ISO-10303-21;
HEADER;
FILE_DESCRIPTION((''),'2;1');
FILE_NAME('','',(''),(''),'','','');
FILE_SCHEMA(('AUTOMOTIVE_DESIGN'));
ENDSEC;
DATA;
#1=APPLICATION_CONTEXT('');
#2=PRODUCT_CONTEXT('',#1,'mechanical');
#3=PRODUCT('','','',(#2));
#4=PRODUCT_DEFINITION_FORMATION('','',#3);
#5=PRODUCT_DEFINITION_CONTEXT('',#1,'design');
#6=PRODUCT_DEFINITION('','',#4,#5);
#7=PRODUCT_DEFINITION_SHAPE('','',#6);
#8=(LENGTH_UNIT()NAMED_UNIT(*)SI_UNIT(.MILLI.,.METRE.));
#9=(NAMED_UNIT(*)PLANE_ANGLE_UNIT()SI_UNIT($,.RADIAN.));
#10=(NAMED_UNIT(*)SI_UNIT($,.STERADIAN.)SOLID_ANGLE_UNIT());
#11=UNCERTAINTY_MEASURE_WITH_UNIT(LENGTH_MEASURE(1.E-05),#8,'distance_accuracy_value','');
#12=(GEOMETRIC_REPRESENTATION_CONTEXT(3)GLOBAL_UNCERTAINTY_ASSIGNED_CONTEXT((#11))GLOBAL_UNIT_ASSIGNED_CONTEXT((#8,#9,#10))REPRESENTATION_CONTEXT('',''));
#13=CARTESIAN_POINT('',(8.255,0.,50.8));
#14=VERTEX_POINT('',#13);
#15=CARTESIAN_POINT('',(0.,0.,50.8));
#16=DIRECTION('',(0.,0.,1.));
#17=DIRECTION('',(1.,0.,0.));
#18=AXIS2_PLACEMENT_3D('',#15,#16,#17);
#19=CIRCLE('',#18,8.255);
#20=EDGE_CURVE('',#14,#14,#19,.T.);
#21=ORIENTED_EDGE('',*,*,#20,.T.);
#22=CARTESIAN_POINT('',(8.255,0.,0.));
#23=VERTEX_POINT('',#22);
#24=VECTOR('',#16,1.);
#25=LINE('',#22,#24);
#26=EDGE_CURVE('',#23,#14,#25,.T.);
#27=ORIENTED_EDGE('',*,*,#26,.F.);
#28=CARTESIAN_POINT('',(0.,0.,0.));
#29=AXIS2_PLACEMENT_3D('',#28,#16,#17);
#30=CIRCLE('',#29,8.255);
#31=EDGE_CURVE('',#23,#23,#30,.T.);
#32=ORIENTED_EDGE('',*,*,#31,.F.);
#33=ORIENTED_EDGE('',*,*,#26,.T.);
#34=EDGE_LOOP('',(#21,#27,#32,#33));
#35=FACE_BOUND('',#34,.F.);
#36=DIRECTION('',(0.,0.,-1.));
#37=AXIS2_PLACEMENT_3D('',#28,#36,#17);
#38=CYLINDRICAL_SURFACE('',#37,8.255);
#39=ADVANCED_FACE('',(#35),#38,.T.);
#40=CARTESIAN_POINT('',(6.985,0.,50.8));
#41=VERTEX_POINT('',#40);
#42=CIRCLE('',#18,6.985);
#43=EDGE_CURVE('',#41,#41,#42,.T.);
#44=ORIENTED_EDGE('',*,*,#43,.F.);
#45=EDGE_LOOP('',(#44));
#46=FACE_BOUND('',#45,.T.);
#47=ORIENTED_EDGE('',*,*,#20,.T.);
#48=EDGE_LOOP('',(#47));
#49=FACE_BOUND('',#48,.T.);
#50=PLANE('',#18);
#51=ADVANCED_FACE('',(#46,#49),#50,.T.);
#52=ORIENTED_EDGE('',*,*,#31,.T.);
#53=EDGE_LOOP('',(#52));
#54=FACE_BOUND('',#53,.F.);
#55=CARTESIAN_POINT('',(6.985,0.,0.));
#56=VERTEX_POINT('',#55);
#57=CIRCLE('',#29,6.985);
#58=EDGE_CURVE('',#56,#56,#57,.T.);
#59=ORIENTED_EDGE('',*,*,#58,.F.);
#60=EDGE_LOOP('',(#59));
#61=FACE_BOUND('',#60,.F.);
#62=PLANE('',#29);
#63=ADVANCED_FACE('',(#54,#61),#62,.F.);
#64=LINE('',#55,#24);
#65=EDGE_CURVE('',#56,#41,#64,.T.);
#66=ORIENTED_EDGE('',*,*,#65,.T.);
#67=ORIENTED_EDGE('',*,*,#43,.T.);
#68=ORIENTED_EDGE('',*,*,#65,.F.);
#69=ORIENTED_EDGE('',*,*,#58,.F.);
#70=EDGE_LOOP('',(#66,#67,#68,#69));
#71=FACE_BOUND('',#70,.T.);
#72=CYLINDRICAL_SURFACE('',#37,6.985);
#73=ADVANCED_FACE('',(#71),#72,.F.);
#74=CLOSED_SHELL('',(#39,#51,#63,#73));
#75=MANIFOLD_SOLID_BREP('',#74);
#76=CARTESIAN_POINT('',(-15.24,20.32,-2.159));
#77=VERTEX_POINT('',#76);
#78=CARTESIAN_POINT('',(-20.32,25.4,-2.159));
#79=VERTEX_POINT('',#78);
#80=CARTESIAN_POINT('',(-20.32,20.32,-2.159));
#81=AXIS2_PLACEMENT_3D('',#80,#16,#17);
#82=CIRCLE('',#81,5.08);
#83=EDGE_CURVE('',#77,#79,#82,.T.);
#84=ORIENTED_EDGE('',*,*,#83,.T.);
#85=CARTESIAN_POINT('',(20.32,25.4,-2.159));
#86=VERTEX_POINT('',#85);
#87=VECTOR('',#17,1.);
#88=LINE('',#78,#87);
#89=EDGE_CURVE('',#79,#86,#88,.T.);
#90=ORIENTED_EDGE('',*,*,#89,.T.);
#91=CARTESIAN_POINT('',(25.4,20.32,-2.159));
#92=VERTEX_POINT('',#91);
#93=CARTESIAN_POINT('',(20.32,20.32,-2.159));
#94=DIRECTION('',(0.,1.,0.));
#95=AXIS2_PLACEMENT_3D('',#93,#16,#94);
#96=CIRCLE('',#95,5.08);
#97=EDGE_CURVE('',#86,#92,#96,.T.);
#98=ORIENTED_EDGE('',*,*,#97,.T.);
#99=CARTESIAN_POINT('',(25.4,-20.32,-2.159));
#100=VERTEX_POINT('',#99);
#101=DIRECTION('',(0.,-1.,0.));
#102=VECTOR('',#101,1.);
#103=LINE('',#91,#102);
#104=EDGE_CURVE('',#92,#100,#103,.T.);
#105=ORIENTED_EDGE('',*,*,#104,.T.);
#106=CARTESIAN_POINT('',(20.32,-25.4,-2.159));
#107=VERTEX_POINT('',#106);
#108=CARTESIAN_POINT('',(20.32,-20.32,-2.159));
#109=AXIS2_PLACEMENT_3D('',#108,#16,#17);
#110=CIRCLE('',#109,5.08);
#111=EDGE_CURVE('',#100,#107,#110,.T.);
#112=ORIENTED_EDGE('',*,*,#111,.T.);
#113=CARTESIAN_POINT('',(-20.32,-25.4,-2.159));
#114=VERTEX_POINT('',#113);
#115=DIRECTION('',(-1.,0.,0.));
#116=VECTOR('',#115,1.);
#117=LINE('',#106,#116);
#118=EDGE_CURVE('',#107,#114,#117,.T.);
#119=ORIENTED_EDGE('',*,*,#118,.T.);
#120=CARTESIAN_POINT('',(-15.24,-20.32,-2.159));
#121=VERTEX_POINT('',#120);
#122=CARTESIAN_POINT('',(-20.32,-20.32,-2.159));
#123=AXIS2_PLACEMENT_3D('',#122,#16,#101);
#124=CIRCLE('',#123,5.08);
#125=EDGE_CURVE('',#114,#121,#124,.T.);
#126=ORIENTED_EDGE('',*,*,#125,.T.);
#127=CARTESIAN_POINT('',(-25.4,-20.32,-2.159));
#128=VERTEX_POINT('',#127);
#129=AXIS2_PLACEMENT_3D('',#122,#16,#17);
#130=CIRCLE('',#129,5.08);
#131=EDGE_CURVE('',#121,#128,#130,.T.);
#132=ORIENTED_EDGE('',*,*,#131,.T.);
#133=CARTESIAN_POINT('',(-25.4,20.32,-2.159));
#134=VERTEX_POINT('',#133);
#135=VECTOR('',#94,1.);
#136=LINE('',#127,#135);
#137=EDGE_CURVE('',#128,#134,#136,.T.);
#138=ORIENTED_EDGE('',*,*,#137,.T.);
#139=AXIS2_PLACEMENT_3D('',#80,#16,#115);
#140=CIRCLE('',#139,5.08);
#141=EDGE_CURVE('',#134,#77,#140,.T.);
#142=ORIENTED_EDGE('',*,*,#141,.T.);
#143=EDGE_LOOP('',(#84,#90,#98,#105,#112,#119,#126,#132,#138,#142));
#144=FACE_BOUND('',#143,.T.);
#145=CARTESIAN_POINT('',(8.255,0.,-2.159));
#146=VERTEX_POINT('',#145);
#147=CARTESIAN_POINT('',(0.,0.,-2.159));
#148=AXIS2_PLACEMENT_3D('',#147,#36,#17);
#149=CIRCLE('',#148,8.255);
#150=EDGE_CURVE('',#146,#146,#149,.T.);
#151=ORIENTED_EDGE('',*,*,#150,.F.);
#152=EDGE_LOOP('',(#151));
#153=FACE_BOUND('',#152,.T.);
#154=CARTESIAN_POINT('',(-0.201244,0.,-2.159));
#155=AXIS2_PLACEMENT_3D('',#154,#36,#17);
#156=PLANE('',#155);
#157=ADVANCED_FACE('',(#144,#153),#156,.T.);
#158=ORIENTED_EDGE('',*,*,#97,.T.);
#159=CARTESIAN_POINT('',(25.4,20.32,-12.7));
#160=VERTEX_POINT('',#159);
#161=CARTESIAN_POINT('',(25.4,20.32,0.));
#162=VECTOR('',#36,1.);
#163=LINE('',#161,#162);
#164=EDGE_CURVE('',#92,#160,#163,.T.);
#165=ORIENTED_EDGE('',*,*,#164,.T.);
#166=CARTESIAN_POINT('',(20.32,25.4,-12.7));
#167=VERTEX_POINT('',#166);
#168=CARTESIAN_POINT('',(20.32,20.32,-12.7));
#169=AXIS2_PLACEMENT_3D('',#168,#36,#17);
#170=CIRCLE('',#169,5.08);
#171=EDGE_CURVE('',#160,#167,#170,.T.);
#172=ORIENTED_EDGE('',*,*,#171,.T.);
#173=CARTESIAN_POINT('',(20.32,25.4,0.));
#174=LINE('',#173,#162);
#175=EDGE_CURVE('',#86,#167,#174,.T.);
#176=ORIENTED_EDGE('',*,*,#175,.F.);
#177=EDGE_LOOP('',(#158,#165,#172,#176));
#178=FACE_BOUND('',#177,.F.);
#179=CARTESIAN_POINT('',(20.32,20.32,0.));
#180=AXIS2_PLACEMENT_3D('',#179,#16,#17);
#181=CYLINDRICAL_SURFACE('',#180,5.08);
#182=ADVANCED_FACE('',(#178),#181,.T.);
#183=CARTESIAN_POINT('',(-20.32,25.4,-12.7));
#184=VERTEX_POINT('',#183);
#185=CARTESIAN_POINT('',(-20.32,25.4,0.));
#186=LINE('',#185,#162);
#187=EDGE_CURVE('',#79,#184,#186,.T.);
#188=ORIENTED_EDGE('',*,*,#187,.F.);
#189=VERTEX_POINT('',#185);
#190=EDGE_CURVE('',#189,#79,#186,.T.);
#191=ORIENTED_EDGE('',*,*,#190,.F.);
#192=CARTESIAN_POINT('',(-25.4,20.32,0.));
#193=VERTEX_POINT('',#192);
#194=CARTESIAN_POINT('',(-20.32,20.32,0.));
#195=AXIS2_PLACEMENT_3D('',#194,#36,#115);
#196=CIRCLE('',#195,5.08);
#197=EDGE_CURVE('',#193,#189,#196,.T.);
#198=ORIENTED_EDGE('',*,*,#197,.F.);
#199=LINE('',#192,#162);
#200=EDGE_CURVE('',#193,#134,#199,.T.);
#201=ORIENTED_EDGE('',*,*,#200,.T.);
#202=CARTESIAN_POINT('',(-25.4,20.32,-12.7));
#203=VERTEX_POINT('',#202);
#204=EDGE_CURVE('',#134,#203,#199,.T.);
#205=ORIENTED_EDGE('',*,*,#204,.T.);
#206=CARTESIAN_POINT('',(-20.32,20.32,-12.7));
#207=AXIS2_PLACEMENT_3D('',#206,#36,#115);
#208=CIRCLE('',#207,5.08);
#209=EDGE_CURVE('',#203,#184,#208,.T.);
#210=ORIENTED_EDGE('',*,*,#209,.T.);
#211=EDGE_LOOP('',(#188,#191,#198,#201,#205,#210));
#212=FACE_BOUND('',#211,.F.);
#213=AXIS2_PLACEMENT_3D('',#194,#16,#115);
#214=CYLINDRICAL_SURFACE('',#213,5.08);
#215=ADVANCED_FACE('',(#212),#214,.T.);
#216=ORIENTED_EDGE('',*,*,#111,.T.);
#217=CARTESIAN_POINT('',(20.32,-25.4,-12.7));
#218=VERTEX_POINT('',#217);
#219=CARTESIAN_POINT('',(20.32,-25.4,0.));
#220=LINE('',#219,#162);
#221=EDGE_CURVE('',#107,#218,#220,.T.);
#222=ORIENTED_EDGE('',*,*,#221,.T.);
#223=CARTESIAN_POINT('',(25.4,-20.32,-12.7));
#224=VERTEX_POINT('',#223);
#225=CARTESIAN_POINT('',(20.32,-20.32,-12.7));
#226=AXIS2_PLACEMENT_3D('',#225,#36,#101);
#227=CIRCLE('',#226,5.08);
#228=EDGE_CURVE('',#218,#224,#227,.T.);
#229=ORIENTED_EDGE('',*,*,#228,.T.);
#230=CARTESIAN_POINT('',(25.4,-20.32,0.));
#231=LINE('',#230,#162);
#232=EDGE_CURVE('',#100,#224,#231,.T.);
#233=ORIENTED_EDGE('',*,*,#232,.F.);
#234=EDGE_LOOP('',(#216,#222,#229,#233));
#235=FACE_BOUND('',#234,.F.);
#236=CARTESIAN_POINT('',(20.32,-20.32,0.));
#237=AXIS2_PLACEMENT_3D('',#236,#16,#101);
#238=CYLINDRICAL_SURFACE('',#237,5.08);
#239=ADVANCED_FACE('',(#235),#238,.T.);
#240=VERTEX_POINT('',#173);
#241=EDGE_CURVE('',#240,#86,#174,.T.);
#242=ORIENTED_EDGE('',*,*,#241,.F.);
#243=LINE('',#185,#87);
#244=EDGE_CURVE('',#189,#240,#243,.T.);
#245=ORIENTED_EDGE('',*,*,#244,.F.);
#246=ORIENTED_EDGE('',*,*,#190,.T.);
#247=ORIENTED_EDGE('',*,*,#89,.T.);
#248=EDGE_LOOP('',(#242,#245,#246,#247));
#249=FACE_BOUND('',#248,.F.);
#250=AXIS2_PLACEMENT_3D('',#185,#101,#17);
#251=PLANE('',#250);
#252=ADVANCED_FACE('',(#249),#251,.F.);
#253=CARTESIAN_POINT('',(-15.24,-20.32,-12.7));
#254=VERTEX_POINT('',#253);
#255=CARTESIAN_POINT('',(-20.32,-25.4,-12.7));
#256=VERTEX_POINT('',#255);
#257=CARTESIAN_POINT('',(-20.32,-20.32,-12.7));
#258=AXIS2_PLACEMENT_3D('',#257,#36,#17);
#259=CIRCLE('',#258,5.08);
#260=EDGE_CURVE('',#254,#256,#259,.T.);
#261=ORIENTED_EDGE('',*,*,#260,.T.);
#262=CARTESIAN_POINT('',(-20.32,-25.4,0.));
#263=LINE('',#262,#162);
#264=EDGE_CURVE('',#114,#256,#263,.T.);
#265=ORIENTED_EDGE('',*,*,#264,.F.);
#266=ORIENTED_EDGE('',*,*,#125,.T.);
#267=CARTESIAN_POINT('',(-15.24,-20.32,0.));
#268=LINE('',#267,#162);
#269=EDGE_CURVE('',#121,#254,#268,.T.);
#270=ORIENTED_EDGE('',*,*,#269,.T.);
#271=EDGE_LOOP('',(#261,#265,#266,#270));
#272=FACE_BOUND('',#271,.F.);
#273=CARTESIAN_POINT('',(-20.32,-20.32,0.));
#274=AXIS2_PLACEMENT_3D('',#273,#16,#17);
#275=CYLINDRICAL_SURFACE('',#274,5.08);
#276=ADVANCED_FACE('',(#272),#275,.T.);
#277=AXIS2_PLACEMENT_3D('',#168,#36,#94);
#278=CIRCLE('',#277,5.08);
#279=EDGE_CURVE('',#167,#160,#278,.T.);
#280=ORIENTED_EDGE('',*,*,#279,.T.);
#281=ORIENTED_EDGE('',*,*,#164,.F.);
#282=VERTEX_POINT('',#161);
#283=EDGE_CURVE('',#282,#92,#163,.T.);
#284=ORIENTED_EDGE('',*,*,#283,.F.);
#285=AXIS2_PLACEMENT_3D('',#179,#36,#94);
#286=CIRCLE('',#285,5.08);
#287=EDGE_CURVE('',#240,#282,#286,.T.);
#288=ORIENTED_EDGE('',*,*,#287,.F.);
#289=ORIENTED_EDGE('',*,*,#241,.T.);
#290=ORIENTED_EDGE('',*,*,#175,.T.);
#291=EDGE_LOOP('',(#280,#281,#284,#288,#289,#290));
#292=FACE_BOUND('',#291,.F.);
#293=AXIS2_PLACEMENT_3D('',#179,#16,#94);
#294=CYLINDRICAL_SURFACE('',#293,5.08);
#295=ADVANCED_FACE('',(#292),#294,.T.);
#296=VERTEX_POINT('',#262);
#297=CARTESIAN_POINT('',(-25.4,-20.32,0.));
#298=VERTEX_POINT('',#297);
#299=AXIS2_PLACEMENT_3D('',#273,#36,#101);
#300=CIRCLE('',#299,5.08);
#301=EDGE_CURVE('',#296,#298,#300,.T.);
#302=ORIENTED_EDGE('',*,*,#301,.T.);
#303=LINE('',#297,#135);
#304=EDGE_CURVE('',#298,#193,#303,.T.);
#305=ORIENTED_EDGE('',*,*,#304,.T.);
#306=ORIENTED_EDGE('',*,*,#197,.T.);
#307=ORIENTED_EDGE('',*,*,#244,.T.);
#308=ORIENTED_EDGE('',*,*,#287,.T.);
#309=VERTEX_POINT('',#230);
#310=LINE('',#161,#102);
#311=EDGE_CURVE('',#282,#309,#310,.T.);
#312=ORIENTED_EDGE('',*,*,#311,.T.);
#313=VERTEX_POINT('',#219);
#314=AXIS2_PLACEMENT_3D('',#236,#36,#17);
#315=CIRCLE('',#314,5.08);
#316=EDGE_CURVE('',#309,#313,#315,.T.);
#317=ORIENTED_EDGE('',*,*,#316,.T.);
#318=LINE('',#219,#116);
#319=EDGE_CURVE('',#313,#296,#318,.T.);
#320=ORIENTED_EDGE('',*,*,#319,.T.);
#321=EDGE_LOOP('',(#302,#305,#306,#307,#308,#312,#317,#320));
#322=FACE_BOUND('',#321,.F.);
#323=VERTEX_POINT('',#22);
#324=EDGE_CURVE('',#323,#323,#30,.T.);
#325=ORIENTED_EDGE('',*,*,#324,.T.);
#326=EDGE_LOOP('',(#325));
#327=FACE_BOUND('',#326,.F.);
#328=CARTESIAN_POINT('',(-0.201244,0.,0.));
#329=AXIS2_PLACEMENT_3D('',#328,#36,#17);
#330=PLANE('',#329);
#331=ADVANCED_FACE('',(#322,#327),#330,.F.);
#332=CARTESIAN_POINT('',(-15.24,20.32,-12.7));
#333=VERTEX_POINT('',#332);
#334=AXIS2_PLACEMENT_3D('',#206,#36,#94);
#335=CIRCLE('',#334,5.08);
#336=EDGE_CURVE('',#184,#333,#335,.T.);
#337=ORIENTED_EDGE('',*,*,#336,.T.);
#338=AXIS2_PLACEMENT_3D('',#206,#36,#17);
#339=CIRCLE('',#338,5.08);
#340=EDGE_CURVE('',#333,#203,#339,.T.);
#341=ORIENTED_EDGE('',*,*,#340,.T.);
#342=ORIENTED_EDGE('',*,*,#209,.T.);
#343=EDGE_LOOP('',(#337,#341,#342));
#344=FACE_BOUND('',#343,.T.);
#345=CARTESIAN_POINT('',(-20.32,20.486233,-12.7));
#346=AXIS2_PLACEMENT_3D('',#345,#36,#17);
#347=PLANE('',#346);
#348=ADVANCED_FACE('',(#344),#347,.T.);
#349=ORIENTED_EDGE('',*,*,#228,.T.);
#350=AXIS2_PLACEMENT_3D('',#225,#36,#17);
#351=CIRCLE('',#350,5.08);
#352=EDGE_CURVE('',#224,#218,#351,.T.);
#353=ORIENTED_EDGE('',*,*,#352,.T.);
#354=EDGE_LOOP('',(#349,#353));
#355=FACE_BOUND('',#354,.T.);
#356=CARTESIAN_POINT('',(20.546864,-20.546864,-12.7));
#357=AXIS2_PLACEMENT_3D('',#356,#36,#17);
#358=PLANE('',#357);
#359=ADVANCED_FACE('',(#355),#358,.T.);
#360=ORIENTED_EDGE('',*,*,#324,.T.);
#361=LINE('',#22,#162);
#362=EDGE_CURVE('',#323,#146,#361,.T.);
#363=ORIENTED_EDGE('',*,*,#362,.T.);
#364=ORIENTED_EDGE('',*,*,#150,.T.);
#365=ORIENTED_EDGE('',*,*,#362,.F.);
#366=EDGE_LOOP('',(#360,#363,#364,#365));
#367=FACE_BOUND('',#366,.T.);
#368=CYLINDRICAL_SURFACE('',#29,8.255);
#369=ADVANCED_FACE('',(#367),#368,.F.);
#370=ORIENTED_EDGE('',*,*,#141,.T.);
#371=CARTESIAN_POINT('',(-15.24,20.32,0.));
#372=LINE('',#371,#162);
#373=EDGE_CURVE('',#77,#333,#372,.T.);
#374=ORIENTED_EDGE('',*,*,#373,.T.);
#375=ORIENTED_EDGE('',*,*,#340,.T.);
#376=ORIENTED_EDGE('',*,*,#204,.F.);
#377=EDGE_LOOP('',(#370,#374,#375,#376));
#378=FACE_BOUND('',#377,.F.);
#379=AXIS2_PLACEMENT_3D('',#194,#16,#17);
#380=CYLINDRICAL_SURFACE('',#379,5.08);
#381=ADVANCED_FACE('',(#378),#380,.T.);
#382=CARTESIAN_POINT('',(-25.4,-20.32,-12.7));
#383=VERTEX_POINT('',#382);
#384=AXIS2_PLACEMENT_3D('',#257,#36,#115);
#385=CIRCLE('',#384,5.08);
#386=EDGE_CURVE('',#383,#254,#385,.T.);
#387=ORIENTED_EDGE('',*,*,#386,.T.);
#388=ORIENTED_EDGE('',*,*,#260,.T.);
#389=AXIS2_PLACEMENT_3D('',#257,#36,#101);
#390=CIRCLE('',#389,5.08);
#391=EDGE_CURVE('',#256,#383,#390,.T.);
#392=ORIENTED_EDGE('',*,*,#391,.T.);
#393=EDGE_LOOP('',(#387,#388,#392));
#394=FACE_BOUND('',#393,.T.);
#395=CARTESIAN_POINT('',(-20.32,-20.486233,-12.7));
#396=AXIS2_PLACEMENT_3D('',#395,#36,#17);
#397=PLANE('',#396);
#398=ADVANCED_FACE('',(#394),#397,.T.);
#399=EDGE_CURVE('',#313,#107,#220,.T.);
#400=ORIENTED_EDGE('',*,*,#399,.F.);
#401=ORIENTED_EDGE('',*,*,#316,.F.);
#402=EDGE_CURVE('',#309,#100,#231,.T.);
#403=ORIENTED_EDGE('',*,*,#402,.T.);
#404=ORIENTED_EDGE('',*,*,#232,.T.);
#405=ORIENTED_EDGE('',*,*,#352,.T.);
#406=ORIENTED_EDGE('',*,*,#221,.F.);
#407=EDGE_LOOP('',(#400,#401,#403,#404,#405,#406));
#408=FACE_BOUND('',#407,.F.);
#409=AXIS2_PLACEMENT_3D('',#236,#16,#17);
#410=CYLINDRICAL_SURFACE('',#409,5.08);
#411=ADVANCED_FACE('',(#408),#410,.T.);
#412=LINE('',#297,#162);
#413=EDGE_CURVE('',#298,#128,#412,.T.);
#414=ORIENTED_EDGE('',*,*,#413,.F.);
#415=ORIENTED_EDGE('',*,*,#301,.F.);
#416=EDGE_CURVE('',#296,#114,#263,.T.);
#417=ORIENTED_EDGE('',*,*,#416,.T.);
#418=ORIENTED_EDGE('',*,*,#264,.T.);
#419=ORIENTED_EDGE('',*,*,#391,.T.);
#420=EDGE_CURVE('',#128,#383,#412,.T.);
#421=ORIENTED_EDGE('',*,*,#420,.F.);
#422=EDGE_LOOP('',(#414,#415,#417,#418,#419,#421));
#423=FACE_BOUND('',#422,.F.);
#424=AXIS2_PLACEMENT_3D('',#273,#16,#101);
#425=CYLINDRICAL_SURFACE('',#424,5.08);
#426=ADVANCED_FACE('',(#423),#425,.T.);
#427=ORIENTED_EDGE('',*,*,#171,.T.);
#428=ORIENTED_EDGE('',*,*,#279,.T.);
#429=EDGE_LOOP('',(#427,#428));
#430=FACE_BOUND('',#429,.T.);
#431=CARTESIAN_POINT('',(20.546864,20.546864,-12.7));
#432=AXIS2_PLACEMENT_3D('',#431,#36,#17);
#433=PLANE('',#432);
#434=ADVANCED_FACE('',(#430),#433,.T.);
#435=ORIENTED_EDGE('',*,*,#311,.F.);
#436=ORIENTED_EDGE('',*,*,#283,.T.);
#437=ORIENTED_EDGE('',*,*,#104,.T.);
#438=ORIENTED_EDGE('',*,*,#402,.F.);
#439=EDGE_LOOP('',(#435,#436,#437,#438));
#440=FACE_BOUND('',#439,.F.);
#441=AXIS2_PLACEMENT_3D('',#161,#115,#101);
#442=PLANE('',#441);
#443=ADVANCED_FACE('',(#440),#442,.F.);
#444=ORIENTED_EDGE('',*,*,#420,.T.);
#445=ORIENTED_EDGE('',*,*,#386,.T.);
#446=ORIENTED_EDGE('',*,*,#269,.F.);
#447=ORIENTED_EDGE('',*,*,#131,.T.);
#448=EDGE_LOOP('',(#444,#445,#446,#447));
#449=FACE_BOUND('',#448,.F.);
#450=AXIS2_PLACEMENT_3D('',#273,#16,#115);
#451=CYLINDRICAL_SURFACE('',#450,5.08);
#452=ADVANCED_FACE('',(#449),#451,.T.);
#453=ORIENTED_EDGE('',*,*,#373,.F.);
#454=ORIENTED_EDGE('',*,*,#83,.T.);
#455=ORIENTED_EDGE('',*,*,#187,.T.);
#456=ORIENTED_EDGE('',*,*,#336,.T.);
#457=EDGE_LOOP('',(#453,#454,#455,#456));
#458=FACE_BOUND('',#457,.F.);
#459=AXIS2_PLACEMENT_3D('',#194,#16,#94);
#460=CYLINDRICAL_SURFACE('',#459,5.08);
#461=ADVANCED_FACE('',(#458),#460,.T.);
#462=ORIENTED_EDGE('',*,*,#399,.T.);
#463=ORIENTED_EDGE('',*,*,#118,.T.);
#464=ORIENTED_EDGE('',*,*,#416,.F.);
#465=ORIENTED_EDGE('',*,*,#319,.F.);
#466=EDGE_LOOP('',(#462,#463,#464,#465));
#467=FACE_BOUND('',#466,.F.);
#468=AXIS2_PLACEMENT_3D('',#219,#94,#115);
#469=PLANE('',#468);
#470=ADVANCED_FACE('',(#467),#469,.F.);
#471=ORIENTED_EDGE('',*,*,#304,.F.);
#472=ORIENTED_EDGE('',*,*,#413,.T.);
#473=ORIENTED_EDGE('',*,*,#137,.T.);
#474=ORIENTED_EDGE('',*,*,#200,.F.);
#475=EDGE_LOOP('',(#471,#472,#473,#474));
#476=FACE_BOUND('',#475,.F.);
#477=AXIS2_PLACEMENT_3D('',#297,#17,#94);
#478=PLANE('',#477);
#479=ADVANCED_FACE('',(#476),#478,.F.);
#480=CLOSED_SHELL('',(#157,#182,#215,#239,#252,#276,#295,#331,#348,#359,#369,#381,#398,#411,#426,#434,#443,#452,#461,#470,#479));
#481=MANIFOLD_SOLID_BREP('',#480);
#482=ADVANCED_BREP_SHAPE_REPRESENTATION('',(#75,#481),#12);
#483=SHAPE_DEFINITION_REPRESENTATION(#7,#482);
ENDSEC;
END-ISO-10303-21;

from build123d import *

# Parameters (mm, degrees)
F0_R     = 8.255
F0_R_2   = 6.985
F1_DEPTH = 50.8
F3_DEPTH = 12.7
F2_R     = 8.255
F4_DEPTH = 2.159


with BuildPart() as f1:
    # F0 (on Top) → F1 (new body)
    with BuildSketch(Plane.XY):
        Circle(F0_R)
        Circle(F0_R_2, mode=Mode.SUBTRACT)
    extrude(amount=F1_DEPTH)



with BuildPart() as f3:
    # F2 (on face) → F3 (new body)
    with BuildSketch(Plane(origin=(0, 0, 0), x_dir=(1, 0, 0), z_dir=(0, 0, -1))):
        with BuildLine():
            ThreePointArc((-20.32, 25.4), (-23.9121024484, 23.9121024484), (-25.4, 20.32))
            ThreePointArc((-25.4, 20.32), (-20.32, 15.24), (-15.24, 20.32))
            ThreePointArc((-15.24, 20.32), (-16.7278975516, 23.9121024484), (-20.32, 25.4))
        make_face()
    extrude(amount=F3_DEPTH)


with BuildPart() as f3b:
    # F2 (on face) → F3, piece 2 (new body)
    with BuildSketch(Plane(origin=(0, 0, 0), x_dir=(1, 0, 0), z_dir=(0, 0, -1))):
        with BuildLine():
            ThreePointArc((20.32, 25.4), (16.7278975516, 16.7278975516), (25.4, 20.32))
            ThreePointArc((25.4, 20.32), (23.9121024484, 23.9121024484), (20.32, 25.4))
        make_face()
    extrude(amount=F3_DEPTH)


with BuildPart() as f3c:
    # F2 (on face) → F3, piece 3 (new body)
    with BuildSketch(Plane(origin=(0, 0, 0), x_dir=(1, 0, 0), z_dir=(0, 0, -1))):
        with BuildLine():
            ThreePointArc((25.4, -20.32), (16.7278975516, -16.7278975516), (20.32, -25.4))
            ThreePointArc((20.32, -25.4), (23.9121024484, -23.9121024484), (25.4, -20.32))
        make_face()
    extrude(amount=F3_DEPTH)


with BuildPart() as f3d:
    # F2 (on face) → F3, piece 4 (new body)
    with BuildSketch(Plane(origin=(0, 0, 0), x_dir=(1, 0, 0), z_dir=(0, 0, -1))):
        with BuildLine():
            ThreePointArc((-25.4, -20.32), (-23.9121024484, -23.9121024484), (-20.32, -25.4))
            ThreePointArc((-20.32, -25.4), (-16.7278975516, -23.9121024484), (-15.24, -20.32))
            ThreePointArc((-15.24, -20.32), (-20.32, -15.24), (-25.4, -20.32))
        make_face()
    extrude(amount=F3_DEPTH)


with BuildPart() as f1_1:
    add(f1.part)

    add(f3.part)  # F4 merges F3

    add(f3b.part)  # F4 merges F3b

    add(f3c.part)  # F4 merges F3c

    add(f3d.part)  # F4 merges F3d
    # F2 (on face) → F4 (join)
    with BuildSketch(Plane(origin=(0, 0, 0), x_dir=(1, 0, 0), z_dir=(0, 0, -1))):
        with BuildLine():
            Line((-20.32, -25.4), (20.32, -25.4))
            ThreePointArc((20.32, -25.4), (16.7278975516, -16.7278975516), (25.4, -20.32))
            Line((25.4, -20.32), (25.4, 20.32))
            ThreePointArc((25.4, 20.32), (16.7278975516, 16.7278975516), (20.32, 25.4))
            Line((20.32, 25.4), (-20.32, 25.4))
            ThreePointArc((-20.32, 25.4), (-16.7278975516, 23.9121024484), (-15.24, 20.32))
            ThreePointArc((-15.24, 20.32), (-20.32, 15.24), (-25.4, 20.32))
            Line((-25.4, 20.32), (-25.4, -20.32))
            ThreePointArc((-25.4, -20.32), (-20.32, -15.24), (-15.24, -20.32))
            ThreePointArc((-15.24, -20.32), (-16.7278975516, -23.9121024484), (-20.32, -25.4))
        make_face()
        Circle(F2_R, mode=Mode.SUBTRACT)
    extrude(amount=F4_DEPTH)


solid = f1_1.part
